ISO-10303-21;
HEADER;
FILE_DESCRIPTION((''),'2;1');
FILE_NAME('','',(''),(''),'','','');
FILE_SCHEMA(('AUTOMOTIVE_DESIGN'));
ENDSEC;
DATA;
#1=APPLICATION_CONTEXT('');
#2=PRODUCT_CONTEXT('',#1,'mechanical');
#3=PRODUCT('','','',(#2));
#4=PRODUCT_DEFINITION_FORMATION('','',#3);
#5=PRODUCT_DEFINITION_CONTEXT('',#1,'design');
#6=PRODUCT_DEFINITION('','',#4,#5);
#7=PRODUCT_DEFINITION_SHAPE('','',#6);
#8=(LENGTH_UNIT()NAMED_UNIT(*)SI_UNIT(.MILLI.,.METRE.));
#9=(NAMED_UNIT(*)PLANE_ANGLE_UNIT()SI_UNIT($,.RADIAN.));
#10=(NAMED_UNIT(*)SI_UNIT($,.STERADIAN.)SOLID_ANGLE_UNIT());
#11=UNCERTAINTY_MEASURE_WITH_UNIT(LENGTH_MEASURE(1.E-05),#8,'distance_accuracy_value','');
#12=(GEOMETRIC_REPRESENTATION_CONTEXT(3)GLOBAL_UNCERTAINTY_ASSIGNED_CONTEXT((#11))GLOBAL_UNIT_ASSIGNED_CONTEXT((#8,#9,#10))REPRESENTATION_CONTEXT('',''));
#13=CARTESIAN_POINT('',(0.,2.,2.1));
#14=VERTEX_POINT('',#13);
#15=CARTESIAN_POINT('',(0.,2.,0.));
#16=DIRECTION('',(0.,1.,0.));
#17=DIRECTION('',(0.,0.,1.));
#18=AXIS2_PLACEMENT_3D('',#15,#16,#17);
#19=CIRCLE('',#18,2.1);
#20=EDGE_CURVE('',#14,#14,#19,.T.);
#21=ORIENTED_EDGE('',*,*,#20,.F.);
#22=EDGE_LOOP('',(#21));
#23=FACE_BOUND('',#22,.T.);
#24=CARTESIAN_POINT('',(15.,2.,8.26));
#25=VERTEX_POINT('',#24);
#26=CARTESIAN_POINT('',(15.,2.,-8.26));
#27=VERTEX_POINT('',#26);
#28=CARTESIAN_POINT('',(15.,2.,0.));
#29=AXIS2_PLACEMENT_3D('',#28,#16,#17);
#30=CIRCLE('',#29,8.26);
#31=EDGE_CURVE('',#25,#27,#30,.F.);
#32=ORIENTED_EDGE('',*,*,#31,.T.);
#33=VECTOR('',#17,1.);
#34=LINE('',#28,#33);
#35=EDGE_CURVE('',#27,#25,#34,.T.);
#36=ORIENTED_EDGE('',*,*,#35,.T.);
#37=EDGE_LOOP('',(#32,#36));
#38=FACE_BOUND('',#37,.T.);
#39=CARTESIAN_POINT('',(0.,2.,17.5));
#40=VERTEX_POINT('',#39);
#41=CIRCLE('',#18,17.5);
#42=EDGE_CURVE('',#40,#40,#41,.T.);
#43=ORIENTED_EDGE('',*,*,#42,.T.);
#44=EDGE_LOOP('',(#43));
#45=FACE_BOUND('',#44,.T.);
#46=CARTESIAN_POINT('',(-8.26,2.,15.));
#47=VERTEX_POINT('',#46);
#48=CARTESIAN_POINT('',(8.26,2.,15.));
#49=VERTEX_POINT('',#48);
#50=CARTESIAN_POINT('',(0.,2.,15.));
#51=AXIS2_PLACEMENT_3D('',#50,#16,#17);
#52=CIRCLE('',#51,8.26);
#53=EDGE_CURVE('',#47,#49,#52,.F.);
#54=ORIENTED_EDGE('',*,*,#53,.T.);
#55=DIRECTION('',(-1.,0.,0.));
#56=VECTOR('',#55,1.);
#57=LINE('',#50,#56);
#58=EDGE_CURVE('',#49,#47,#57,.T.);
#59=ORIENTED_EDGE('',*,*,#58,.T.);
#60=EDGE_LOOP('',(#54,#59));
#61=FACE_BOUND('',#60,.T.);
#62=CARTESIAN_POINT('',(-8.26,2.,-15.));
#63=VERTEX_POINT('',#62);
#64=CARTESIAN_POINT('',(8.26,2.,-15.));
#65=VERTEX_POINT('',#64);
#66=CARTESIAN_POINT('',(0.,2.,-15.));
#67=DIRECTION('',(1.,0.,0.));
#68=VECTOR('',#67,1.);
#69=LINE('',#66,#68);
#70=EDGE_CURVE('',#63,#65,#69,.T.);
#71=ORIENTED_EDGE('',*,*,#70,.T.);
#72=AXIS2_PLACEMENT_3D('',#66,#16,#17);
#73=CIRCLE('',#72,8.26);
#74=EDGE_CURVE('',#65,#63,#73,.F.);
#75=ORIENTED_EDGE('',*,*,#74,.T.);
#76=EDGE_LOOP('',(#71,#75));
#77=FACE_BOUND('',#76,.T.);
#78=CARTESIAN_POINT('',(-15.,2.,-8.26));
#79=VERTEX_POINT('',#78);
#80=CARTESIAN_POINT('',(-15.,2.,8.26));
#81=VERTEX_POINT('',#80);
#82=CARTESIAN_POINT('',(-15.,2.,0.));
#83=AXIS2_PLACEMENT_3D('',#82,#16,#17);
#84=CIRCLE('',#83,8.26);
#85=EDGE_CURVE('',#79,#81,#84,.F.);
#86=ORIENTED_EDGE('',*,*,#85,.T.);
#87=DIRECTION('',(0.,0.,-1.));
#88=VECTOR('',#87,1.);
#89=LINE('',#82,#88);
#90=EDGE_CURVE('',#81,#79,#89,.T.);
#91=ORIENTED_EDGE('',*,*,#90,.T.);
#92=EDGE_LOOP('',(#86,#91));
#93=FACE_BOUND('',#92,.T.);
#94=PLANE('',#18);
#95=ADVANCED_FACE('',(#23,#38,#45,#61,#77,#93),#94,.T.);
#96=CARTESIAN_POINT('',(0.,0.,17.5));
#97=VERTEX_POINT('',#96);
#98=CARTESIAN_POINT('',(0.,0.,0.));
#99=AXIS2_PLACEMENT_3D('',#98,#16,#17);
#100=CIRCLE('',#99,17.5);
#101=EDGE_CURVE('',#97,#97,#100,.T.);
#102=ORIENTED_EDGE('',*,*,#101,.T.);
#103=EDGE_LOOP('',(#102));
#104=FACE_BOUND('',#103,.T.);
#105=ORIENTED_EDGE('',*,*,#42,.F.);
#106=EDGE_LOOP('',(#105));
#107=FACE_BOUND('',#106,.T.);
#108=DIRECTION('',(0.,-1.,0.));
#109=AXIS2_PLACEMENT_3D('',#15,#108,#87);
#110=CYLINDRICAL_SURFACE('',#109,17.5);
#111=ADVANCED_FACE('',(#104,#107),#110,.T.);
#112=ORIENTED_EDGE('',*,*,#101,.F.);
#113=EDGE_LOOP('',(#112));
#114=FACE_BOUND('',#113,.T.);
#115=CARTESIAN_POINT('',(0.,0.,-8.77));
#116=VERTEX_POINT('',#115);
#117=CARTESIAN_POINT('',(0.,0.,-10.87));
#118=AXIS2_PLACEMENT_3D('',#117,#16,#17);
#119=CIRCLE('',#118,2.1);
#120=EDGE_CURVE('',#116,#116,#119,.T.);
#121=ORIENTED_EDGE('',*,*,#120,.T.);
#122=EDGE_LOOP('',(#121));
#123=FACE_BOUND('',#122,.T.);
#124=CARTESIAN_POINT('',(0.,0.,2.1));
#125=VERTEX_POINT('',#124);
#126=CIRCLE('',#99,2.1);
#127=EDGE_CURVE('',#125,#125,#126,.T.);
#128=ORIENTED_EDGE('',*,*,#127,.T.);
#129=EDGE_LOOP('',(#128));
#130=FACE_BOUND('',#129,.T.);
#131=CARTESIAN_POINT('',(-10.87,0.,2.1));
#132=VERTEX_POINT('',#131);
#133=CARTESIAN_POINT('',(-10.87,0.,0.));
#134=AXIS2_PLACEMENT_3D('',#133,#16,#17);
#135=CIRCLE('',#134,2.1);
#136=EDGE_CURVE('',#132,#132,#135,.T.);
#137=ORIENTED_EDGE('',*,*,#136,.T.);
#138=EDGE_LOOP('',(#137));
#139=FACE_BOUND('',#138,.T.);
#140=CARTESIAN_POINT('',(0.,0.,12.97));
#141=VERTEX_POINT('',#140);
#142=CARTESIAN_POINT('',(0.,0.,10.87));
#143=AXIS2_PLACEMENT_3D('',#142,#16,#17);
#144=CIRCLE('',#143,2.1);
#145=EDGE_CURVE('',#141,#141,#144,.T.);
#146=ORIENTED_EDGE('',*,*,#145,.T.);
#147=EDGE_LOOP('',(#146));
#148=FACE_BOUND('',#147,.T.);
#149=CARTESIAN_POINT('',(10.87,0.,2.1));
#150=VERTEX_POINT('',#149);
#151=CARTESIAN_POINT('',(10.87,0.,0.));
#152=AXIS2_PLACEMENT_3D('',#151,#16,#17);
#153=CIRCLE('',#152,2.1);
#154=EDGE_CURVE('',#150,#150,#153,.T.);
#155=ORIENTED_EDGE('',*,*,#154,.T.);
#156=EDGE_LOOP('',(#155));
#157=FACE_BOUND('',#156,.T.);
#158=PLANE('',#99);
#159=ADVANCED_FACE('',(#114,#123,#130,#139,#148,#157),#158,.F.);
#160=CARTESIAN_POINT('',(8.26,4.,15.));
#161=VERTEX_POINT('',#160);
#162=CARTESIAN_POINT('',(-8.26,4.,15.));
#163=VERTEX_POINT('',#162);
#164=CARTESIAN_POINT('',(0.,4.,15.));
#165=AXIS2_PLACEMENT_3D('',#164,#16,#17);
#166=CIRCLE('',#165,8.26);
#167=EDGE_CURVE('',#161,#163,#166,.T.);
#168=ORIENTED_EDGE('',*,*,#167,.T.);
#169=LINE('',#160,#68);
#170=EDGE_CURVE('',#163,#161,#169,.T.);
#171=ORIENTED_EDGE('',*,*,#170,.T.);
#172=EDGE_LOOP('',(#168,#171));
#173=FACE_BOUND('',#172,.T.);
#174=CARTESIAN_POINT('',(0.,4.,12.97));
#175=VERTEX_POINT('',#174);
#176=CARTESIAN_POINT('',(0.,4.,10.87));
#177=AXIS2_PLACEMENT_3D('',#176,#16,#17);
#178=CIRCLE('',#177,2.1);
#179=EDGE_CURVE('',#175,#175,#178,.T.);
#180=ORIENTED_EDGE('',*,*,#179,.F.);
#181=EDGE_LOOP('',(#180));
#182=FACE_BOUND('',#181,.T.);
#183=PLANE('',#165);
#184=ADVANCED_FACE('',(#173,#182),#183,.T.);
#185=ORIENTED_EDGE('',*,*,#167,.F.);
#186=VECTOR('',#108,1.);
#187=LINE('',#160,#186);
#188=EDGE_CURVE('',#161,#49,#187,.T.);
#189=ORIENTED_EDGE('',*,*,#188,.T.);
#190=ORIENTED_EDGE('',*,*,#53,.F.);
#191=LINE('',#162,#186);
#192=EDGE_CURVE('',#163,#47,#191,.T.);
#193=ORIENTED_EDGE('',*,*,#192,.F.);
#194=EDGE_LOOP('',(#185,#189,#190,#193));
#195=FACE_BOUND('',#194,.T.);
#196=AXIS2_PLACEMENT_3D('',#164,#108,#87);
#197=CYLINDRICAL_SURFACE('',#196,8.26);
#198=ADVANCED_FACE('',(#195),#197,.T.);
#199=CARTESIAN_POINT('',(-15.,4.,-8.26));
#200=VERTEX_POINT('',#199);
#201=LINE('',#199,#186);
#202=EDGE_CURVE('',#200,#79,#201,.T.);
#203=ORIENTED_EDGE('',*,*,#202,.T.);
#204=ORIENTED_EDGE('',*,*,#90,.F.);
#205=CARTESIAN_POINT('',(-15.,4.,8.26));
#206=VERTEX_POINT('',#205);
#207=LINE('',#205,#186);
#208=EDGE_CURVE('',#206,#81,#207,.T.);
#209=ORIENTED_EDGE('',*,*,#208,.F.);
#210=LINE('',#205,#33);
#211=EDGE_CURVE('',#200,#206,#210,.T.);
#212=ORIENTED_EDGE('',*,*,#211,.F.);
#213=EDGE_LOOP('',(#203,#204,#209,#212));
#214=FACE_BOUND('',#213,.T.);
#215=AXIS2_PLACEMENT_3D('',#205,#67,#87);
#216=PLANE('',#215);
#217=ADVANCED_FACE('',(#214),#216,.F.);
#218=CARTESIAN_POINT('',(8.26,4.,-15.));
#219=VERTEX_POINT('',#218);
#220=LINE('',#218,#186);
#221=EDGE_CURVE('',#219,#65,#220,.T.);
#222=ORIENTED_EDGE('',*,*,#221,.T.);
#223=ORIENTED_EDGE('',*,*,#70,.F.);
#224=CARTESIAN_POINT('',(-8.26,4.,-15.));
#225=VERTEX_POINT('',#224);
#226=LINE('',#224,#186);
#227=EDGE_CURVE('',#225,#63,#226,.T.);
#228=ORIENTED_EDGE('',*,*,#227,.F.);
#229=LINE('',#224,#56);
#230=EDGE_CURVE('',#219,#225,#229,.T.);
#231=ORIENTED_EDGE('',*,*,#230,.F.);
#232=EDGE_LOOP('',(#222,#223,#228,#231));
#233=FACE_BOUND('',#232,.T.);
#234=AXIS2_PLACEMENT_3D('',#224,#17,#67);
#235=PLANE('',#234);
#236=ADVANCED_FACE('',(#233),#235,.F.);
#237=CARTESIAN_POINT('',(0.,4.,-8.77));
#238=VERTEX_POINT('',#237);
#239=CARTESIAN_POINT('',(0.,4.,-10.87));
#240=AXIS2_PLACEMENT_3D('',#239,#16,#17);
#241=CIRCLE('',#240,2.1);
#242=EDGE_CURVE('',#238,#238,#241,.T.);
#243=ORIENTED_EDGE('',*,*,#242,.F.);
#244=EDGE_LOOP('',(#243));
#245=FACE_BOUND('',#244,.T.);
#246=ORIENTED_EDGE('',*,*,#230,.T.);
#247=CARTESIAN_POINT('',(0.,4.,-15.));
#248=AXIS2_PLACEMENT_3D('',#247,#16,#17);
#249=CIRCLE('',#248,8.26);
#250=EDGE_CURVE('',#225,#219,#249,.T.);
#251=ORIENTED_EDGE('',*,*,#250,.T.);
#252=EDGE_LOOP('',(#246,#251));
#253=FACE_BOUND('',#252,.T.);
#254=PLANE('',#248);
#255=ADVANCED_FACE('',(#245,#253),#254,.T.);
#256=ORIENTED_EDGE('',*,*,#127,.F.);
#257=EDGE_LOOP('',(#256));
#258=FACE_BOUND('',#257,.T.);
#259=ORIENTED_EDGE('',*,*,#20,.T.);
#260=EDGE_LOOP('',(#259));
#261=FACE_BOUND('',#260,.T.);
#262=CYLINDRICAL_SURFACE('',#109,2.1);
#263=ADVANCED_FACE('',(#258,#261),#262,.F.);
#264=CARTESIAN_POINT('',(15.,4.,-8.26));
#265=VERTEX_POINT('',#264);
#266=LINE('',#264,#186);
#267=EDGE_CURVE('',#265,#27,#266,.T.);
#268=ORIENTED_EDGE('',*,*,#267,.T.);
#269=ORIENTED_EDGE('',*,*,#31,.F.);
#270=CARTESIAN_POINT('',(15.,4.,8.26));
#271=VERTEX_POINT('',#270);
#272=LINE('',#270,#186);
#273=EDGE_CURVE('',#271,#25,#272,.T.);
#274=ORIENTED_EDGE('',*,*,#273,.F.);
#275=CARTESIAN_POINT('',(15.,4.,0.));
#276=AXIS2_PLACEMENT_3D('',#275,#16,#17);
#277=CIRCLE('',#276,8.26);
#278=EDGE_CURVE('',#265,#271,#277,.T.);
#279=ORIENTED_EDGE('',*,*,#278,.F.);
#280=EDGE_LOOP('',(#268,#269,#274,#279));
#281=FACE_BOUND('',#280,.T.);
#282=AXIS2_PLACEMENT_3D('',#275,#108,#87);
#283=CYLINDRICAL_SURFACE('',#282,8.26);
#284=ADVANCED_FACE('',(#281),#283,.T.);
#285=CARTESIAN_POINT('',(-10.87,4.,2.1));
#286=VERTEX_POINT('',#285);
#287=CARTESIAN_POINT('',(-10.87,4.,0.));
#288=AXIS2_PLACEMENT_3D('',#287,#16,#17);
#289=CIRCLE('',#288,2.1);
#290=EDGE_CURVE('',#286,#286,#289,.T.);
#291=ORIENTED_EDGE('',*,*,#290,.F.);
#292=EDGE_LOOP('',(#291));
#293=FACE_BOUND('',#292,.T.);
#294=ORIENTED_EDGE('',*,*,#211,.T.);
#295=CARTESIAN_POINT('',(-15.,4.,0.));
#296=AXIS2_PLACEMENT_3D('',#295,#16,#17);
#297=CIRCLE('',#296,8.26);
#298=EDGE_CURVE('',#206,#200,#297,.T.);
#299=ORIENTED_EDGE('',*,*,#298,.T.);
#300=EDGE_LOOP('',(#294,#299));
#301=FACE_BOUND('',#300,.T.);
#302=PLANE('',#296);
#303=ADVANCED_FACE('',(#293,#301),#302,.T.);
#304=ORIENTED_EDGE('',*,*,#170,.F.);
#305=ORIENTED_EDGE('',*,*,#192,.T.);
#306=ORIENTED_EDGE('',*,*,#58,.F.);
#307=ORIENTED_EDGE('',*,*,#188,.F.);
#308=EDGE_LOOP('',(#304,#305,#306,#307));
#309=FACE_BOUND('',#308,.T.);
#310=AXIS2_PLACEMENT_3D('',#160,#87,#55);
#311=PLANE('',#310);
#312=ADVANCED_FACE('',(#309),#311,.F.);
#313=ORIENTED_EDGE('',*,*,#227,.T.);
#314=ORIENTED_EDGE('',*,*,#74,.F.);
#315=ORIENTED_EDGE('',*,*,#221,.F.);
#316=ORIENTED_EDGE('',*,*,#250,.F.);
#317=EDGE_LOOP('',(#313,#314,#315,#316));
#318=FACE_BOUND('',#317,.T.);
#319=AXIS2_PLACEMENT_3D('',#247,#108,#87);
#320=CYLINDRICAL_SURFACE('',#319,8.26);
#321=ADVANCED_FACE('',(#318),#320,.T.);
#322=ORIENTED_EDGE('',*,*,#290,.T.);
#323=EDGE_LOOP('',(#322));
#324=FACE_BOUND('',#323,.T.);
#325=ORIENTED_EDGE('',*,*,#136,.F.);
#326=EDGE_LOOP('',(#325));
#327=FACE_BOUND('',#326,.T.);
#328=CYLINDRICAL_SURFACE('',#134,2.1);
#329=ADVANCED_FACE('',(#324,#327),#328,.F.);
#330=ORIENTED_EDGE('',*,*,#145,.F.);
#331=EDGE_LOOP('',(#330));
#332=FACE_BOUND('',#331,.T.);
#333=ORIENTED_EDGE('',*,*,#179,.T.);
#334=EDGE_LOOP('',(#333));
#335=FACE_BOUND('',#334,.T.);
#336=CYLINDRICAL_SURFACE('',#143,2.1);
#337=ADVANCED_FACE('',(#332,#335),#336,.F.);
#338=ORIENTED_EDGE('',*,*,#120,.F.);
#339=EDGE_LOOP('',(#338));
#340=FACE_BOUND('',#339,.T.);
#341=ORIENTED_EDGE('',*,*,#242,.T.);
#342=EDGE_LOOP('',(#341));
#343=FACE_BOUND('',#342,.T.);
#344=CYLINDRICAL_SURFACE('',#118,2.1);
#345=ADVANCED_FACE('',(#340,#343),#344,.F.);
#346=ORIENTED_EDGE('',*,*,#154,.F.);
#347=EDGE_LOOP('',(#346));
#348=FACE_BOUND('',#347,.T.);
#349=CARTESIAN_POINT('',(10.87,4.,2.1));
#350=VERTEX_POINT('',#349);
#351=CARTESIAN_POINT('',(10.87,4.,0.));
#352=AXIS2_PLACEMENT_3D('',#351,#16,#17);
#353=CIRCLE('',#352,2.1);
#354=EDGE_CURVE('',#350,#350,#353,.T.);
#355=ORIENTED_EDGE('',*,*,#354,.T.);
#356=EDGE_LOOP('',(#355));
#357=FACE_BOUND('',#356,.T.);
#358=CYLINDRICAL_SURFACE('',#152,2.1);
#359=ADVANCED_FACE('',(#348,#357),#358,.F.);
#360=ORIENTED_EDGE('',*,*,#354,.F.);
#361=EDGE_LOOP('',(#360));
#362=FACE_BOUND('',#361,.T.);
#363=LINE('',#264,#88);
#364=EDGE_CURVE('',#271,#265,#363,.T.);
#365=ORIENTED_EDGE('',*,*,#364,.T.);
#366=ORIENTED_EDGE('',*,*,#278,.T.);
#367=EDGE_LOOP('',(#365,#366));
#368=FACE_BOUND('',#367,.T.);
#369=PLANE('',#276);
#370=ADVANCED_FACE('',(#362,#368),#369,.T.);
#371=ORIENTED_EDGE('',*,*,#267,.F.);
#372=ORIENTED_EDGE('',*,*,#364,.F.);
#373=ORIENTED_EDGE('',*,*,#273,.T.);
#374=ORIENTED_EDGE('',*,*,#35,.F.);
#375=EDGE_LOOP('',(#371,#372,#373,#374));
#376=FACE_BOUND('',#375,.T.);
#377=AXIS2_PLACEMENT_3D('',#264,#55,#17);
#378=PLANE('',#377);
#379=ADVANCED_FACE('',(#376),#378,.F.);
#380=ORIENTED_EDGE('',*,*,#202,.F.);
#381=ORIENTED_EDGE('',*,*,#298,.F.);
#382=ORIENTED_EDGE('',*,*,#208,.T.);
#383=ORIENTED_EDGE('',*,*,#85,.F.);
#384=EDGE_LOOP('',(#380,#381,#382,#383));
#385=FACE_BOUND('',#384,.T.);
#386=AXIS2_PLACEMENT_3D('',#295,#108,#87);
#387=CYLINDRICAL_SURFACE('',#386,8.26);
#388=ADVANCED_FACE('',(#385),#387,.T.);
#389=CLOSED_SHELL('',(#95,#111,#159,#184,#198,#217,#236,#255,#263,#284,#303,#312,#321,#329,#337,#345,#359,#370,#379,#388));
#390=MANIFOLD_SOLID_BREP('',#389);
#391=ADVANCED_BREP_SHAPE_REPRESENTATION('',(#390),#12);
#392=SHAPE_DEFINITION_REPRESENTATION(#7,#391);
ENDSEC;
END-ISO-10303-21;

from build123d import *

# Parameters (mm, degrees)
SKETCH4_R           = 17.5
SKETCH4_R_2         = 2.1
BOSS_EXTRUDE1_DEPTH = 2
BOSS_EXTRUDE2_DEPTH = 4
SKETCH5_R           = 2.1
CUT_EXTRUDE2_DEPTH  = 5


with BuildPart() as part:
    # Sketch4 → Boss-Extrude1 (new body)
    with BuildSketch(Plane(origin=(0, 0, 0), x_dir=(1, 0, 0), z_dir=(0, 1, 0))):
        Circle(SKETCH4_R)
        Circle(SKETCH4_R_2, mode=Mode.SUBTRACT)
    extrude(amount=BOSS_EXTRUDE1_DEPTH)

    # Sketch1 → Boss-Extrude2 (add)
    with BuildSketch(Plane(origin=(0, 0, 0), x_dir=(1, 0, 0), z_dir=(0, 1, 0))):
        with BuildLine():
            Line((-8.26, 15), (8.26, 15))
            ThreePointArc((8.26, 15), (0, 6.74), (-8.26, 15))
        make_face()
        with BuildLine():
            Line((15, 8.26), (15, -8.26))
            ThreePointArc((15, -8.26), (6.74, 0), (15, 8.26))
        make_face()
        with BuildLine():
            Line((8.26, -15), (-8.26, -15))
            ThreePointArc((-8.26, -15), (0, -6.74), (8.26, -15))
        make_face()
        with BuildLine():
            Line((-15, -8.26), (-15, 8.26))
            ThreePointArc((-15, 8.26), (-6.74, 0), (-15, -8.26))
        make_face()
    extrude(amount=BOSS_EXTRUDE2_DEPTH)

    # Sketch5 → Cut-Extrude2 (cut, through all)
    with BuildSketch(Plane(origin=(0, 4, 0), x_dir=(1, 0, 0), z_dir=(0, 1, 0))):
        with Locations((0, 10.87)):
            Circle(SKETCH5_R)
        with Locations((10.87, 0)):
            Circle(SKETCH5_R)
        with Locations((0, -10.87)):
            Circle(SKETCH5_R)
        with Locations((-10.87, 0)):
            Circle(SKETCH5_R)
    extrude(amount=-CUT_EXTRUDE2_DEPTH, mode=Mode.SUBTRACT)


solid = part.part
